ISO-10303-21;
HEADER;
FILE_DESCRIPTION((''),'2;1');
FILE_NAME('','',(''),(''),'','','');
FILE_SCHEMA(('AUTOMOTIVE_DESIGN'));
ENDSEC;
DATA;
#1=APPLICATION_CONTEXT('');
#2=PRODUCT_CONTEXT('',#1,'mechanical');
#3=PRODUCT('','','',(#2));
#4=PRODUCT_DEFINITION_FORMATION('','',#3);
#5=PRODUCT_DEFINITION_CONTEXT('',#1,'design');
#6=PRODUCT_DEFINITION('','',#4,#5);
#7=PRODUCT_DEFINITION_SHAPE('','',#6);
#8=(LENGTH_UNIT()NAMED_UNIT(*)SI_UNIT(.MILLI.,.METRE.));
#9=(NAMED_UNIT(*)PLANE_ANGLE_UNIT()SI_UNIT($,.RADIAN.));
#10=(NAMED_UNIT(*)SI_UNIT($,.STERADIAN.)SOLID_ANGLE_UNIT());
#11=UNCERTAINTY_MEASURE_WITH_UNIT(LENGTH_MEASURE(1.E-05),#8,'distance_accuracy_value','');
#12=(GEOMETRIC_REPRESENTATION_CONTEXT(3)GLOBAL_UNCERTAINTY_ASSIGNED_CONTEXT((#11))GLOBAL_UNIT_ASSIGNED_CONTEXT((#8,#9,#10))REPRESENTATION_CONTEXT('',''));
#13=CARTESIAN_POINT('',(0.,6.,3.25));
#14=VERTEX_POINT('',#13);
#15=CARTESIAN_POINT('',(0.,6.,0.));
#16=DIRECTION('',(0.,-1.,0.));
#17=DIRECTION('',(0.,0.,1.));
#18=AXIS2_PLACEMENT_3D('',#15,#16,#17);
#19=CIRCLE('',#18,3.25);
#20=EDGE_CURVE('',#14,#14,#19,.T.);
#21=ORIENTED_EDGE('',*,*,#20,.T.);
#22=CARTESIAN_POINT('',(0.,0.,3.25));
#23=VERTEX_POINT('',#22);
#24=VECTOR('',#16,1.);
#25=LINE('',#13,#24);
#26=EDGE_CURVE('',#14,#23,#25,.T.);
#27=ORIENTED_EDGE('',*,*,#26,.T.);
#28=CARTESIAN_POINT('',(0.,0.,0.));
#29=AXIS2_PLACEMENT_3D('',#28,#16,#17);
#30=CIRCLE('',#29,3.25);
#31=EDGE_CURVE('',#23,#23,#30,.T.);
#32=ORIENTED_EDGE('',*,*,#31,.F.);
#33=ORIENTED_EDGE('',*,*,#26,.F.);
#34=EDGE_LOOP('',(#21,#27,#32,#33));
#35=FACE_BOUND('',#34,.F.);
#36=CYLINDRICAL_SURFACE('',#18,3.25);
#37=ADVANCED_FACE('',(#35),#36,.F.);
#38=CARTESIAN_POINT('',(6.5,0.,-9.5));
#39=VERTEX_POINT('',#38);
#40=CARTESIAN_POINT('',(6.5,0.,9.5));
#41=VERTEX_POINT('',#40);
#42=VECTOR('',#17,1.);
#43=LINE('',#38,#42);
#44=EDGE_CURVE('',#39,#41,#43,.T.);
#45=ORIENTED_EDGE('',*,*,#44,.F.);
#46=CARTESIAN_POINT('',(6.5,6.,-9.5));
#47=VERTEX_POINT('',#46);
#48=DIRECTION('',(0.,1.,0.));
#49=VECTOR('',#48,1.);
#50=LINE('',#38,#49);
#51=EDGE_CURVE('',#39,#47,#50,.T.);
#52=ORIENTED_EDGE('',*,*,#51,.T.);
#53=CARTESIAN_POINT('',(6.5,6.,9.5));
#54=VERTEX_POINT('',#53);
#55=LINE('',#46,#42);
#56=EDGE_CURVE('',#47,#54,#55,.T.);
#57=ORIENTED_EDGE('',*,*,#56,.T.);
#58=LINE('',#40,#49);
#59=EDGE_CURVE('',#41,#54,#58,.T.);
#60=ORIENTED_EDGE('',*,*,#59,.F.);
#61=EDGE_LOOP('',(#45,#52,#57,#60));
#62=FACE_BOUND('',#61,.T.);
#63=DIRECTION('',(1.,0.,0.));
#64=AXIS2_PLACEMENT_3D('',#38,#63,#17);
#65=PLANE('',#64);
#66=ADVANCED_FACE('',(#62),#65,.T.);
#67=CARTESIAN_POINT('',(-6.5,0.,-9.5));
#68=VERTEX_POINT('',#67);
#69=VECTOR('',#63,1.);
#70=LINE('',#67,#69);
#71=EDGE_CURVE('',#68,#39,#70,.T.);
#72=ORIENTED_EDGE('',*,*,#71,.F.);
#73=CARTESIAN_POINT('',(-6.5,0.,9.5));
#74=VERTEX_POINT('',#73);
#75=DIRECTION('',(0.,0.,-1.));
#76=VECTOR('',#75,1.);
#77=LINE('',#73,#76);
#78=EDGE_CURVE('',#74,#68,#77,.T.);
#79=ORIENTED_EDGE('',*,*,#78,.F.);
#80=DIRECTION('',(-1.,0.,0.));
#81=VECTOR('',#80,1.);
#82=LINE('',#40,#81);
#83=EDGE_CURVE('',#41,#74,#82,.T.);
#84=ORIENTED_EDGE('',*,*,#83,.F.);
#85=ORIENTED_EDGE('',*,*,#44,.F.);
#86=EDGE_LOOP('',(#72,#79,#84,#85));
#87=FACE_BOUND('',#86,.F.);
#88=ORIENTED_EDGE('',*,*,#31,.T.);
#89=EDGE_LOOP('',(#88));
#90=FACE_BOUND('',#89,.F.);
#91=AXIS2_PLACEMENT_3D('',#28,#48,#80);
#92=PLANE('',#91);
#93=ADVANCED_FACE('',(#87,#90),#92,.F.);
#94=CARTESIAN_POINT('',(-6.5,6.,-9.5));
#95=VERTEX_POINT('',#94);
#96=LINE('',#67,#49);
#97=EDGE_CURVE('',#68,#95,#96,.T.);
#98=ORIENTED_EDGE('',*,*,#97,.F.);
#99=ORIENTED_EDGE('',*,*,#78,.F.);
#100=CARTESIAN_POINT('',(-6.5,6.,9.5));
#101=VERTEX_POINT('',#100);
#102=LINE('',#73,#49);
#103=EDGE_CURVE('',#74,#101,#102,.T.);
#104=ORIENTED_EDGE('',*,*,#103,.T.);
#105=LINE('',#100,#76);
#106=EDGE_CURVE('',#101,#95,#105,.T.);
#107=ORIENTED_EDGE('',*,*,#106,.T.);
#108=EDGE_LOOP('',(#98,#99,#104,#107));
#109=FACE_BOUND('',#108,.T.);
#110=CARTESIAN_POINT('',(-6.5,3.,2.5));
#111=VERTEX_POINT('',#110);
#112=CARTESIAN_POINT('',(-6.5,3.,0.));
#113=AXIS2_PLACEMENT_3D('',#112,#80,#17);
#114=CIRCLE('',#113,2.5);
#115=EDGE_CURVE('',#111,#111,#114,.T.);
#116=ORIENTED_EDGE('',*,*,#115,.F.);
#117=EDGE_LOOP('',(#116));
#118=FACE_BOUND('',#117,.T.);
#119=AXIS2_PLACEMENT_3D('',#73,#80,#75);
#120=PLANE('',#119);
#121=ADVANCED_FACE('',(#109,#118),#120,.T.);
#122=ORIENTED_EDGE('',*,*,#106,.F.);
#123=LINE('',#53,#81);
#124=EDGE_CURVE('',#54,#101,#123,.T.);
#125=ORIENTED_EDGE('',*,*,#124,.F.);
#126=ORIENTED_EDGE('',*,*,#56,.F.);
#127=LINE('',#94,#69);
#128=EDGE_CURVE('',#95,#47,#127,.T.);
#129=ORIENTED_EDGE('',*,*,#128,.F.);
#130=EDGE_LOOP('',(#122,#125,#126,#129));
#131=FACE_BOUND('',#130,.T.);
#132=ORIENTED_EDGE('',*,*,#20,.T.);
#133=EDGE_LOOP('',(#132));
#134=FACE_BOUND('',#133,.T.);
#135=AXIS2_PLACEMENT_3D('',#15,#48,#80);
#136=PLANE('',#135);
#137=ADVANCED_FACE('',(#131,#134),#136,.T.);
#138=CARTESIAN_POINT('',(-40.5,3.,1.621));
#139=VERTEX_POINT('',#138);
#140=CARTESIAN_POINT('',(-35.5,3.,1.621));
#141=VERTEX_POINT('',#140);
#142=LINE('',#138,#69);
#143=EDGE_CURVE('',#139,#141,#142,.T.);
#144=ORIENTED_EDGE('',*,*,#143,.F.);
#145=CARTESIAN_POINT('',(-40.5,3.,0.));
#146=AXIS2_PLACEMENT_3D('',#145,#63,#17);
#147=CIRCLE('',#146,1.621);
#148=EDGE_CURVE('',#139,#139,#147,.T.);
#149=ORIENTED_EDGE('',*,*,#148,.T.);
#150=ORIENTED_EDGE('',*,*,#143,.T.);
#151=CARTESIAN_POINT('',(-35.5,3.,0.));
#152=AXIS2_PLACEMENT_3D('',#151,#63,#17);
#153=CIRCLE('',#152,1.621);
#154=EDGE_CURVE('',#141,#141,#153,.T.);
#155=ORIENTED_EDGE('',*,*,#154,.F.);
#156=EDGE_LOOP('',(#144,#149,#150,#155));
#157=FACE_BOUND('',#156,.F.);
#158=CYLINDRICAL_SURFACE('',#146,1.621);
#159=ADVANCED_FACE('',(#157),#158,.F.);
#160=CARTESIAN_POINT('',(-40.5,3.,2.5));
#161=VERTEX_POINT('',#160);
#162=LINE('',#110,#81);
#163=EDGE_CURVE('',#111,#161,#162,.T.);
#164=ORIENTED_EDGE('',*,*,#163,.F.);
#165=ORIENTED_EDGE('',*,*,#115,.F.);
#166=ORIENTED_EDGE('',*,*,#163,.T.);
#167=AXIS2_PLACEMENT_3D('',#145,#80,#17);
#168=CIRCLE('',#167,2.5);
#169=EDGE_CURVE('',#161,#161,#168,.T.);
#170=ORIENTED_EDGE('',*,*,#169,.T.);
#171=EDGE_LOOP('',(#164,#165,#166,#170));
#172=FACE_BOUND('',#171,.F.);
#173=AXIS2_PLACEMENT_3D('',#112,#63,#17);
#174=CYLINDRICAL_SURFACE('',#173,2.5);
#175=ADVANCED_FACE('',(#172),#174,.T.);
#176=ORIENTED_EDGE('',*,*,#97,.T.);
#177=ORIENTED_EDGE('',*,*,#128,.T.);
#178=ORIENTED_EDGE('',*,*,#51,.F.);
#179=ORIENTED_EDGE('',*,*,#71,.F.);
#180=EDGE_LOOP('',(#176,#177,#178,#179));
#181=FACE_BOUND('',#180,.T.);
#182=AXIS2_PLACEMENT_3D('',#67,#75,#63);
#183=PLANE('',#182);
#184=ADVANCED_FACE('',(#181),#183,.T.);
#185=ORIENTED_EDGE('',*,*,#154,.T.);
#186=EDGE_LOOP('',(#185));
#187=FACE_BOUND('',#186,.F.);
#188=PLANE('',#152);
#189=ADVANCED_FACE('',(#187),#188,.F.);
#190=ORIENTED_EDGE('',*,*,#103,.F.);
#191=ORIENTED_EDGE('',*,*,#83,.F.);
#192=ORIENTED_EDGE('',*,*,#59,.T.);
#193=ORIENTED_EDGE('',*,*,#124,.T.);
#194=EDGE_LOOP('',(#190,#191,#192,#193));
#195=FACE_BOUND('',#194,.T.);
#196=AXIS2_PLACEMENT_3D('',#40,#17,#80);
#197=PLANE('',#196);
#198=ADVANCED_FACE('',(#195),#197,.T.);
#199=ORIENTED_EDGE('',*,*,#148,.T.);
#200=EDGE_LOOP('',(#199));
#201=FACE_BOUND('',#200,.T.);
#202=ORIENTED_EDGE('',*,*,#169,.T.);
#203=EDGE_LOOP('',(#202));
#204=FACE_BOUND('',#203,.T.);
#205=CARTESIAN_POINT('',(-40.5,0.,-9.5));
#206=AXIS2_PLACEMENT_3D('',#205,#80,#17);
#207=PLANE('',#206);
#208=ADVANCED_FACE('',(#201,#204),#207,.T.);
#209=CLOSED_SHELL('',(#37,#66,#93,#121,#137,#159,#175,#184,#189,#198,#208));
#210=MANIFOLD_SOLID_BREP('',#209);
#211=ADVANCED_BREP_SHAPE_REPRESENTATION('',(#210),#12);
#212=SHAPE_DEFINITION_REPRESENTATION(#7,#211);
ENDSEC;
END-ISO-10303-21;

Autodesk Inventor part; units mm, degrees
ref_plane "YZ Plane" through (0, 0, 0) normal (1, 0, 0) x (0, 1, 0)
ref_plane "XZ Plane" through (0, 0, 0) normal (0, 1, 0) x (-1, 0, 0)
ref_plane "XY Plane" through (0, 0, 0) normal (0, 0, 1) x (1, 0, 0)
sketch "Skizze2" plane through (0, 0, 0) normal (0, 1, 0) x (-1, 0, 0)
  line L0 (-6.5, 9.5) -> (6.5, 9.5)
  line L1 (6.5, 9.5) -> (6.5, -9.5)
  line L2 (6.5, -9.5) -> (-6.5, -9.5)
  line L3 (-6.5, -9.5) -> (-6.5, 9.5)
  line L4 (-6.5, 9.5) -> (6.5, -9.5) construction
  line L5 (6.5, 9.5) -> (-6.5, -9.5) construction
  point P0 (0, 0)
  dimension "d1" = 19
  dimension "d2" = 13
extrude "Extrusion1" add sketch "Skizze2" along normal blind 6
sketch "Skizze3" plane through (0, 6, 0) normal (0, 1, 0) x (1, 0, 0)
  point P0 (0, 0)
  point P1 (0, 0)
hole "Bohrung1" at (0, 6, 0) direction (0, -1, 0) diameter 6.5 depth 6
sketch "Skizze4" plane through (-6.5, 0, -9.5) normal (-1, 0, 0) x (0, 0, 1)
  circle A0 centre (9.5, 3) radius 2.5
  line L0 (0, 0) -> (0, 6) projected
  line L1 (0, 0) -> (19, 0) projected
  point P0 (9.5, 0)
  point P1 (0, 3)
  point P2 (9.5, 0)
  dimension "d12" = 5
extrude "Extrusion2" add sketch "Skizze4" along normal blind 34
sketch "Skizze5" plane through (-40.5, 3, 0) normal (-1, 0, 0) x (0, 0, 1)
  circle A0 centre (0, 0) radius 2.5 projected
  point P0 (0, -3)
hole "Bohrung2" at (-40.5, 3, 0) direction (1, 0, 0) diameter 3.242 depth 5 thread size "M4x0.7" class "6H" standard "ISO Metric profile"
properties part number "pleuel_m4"
